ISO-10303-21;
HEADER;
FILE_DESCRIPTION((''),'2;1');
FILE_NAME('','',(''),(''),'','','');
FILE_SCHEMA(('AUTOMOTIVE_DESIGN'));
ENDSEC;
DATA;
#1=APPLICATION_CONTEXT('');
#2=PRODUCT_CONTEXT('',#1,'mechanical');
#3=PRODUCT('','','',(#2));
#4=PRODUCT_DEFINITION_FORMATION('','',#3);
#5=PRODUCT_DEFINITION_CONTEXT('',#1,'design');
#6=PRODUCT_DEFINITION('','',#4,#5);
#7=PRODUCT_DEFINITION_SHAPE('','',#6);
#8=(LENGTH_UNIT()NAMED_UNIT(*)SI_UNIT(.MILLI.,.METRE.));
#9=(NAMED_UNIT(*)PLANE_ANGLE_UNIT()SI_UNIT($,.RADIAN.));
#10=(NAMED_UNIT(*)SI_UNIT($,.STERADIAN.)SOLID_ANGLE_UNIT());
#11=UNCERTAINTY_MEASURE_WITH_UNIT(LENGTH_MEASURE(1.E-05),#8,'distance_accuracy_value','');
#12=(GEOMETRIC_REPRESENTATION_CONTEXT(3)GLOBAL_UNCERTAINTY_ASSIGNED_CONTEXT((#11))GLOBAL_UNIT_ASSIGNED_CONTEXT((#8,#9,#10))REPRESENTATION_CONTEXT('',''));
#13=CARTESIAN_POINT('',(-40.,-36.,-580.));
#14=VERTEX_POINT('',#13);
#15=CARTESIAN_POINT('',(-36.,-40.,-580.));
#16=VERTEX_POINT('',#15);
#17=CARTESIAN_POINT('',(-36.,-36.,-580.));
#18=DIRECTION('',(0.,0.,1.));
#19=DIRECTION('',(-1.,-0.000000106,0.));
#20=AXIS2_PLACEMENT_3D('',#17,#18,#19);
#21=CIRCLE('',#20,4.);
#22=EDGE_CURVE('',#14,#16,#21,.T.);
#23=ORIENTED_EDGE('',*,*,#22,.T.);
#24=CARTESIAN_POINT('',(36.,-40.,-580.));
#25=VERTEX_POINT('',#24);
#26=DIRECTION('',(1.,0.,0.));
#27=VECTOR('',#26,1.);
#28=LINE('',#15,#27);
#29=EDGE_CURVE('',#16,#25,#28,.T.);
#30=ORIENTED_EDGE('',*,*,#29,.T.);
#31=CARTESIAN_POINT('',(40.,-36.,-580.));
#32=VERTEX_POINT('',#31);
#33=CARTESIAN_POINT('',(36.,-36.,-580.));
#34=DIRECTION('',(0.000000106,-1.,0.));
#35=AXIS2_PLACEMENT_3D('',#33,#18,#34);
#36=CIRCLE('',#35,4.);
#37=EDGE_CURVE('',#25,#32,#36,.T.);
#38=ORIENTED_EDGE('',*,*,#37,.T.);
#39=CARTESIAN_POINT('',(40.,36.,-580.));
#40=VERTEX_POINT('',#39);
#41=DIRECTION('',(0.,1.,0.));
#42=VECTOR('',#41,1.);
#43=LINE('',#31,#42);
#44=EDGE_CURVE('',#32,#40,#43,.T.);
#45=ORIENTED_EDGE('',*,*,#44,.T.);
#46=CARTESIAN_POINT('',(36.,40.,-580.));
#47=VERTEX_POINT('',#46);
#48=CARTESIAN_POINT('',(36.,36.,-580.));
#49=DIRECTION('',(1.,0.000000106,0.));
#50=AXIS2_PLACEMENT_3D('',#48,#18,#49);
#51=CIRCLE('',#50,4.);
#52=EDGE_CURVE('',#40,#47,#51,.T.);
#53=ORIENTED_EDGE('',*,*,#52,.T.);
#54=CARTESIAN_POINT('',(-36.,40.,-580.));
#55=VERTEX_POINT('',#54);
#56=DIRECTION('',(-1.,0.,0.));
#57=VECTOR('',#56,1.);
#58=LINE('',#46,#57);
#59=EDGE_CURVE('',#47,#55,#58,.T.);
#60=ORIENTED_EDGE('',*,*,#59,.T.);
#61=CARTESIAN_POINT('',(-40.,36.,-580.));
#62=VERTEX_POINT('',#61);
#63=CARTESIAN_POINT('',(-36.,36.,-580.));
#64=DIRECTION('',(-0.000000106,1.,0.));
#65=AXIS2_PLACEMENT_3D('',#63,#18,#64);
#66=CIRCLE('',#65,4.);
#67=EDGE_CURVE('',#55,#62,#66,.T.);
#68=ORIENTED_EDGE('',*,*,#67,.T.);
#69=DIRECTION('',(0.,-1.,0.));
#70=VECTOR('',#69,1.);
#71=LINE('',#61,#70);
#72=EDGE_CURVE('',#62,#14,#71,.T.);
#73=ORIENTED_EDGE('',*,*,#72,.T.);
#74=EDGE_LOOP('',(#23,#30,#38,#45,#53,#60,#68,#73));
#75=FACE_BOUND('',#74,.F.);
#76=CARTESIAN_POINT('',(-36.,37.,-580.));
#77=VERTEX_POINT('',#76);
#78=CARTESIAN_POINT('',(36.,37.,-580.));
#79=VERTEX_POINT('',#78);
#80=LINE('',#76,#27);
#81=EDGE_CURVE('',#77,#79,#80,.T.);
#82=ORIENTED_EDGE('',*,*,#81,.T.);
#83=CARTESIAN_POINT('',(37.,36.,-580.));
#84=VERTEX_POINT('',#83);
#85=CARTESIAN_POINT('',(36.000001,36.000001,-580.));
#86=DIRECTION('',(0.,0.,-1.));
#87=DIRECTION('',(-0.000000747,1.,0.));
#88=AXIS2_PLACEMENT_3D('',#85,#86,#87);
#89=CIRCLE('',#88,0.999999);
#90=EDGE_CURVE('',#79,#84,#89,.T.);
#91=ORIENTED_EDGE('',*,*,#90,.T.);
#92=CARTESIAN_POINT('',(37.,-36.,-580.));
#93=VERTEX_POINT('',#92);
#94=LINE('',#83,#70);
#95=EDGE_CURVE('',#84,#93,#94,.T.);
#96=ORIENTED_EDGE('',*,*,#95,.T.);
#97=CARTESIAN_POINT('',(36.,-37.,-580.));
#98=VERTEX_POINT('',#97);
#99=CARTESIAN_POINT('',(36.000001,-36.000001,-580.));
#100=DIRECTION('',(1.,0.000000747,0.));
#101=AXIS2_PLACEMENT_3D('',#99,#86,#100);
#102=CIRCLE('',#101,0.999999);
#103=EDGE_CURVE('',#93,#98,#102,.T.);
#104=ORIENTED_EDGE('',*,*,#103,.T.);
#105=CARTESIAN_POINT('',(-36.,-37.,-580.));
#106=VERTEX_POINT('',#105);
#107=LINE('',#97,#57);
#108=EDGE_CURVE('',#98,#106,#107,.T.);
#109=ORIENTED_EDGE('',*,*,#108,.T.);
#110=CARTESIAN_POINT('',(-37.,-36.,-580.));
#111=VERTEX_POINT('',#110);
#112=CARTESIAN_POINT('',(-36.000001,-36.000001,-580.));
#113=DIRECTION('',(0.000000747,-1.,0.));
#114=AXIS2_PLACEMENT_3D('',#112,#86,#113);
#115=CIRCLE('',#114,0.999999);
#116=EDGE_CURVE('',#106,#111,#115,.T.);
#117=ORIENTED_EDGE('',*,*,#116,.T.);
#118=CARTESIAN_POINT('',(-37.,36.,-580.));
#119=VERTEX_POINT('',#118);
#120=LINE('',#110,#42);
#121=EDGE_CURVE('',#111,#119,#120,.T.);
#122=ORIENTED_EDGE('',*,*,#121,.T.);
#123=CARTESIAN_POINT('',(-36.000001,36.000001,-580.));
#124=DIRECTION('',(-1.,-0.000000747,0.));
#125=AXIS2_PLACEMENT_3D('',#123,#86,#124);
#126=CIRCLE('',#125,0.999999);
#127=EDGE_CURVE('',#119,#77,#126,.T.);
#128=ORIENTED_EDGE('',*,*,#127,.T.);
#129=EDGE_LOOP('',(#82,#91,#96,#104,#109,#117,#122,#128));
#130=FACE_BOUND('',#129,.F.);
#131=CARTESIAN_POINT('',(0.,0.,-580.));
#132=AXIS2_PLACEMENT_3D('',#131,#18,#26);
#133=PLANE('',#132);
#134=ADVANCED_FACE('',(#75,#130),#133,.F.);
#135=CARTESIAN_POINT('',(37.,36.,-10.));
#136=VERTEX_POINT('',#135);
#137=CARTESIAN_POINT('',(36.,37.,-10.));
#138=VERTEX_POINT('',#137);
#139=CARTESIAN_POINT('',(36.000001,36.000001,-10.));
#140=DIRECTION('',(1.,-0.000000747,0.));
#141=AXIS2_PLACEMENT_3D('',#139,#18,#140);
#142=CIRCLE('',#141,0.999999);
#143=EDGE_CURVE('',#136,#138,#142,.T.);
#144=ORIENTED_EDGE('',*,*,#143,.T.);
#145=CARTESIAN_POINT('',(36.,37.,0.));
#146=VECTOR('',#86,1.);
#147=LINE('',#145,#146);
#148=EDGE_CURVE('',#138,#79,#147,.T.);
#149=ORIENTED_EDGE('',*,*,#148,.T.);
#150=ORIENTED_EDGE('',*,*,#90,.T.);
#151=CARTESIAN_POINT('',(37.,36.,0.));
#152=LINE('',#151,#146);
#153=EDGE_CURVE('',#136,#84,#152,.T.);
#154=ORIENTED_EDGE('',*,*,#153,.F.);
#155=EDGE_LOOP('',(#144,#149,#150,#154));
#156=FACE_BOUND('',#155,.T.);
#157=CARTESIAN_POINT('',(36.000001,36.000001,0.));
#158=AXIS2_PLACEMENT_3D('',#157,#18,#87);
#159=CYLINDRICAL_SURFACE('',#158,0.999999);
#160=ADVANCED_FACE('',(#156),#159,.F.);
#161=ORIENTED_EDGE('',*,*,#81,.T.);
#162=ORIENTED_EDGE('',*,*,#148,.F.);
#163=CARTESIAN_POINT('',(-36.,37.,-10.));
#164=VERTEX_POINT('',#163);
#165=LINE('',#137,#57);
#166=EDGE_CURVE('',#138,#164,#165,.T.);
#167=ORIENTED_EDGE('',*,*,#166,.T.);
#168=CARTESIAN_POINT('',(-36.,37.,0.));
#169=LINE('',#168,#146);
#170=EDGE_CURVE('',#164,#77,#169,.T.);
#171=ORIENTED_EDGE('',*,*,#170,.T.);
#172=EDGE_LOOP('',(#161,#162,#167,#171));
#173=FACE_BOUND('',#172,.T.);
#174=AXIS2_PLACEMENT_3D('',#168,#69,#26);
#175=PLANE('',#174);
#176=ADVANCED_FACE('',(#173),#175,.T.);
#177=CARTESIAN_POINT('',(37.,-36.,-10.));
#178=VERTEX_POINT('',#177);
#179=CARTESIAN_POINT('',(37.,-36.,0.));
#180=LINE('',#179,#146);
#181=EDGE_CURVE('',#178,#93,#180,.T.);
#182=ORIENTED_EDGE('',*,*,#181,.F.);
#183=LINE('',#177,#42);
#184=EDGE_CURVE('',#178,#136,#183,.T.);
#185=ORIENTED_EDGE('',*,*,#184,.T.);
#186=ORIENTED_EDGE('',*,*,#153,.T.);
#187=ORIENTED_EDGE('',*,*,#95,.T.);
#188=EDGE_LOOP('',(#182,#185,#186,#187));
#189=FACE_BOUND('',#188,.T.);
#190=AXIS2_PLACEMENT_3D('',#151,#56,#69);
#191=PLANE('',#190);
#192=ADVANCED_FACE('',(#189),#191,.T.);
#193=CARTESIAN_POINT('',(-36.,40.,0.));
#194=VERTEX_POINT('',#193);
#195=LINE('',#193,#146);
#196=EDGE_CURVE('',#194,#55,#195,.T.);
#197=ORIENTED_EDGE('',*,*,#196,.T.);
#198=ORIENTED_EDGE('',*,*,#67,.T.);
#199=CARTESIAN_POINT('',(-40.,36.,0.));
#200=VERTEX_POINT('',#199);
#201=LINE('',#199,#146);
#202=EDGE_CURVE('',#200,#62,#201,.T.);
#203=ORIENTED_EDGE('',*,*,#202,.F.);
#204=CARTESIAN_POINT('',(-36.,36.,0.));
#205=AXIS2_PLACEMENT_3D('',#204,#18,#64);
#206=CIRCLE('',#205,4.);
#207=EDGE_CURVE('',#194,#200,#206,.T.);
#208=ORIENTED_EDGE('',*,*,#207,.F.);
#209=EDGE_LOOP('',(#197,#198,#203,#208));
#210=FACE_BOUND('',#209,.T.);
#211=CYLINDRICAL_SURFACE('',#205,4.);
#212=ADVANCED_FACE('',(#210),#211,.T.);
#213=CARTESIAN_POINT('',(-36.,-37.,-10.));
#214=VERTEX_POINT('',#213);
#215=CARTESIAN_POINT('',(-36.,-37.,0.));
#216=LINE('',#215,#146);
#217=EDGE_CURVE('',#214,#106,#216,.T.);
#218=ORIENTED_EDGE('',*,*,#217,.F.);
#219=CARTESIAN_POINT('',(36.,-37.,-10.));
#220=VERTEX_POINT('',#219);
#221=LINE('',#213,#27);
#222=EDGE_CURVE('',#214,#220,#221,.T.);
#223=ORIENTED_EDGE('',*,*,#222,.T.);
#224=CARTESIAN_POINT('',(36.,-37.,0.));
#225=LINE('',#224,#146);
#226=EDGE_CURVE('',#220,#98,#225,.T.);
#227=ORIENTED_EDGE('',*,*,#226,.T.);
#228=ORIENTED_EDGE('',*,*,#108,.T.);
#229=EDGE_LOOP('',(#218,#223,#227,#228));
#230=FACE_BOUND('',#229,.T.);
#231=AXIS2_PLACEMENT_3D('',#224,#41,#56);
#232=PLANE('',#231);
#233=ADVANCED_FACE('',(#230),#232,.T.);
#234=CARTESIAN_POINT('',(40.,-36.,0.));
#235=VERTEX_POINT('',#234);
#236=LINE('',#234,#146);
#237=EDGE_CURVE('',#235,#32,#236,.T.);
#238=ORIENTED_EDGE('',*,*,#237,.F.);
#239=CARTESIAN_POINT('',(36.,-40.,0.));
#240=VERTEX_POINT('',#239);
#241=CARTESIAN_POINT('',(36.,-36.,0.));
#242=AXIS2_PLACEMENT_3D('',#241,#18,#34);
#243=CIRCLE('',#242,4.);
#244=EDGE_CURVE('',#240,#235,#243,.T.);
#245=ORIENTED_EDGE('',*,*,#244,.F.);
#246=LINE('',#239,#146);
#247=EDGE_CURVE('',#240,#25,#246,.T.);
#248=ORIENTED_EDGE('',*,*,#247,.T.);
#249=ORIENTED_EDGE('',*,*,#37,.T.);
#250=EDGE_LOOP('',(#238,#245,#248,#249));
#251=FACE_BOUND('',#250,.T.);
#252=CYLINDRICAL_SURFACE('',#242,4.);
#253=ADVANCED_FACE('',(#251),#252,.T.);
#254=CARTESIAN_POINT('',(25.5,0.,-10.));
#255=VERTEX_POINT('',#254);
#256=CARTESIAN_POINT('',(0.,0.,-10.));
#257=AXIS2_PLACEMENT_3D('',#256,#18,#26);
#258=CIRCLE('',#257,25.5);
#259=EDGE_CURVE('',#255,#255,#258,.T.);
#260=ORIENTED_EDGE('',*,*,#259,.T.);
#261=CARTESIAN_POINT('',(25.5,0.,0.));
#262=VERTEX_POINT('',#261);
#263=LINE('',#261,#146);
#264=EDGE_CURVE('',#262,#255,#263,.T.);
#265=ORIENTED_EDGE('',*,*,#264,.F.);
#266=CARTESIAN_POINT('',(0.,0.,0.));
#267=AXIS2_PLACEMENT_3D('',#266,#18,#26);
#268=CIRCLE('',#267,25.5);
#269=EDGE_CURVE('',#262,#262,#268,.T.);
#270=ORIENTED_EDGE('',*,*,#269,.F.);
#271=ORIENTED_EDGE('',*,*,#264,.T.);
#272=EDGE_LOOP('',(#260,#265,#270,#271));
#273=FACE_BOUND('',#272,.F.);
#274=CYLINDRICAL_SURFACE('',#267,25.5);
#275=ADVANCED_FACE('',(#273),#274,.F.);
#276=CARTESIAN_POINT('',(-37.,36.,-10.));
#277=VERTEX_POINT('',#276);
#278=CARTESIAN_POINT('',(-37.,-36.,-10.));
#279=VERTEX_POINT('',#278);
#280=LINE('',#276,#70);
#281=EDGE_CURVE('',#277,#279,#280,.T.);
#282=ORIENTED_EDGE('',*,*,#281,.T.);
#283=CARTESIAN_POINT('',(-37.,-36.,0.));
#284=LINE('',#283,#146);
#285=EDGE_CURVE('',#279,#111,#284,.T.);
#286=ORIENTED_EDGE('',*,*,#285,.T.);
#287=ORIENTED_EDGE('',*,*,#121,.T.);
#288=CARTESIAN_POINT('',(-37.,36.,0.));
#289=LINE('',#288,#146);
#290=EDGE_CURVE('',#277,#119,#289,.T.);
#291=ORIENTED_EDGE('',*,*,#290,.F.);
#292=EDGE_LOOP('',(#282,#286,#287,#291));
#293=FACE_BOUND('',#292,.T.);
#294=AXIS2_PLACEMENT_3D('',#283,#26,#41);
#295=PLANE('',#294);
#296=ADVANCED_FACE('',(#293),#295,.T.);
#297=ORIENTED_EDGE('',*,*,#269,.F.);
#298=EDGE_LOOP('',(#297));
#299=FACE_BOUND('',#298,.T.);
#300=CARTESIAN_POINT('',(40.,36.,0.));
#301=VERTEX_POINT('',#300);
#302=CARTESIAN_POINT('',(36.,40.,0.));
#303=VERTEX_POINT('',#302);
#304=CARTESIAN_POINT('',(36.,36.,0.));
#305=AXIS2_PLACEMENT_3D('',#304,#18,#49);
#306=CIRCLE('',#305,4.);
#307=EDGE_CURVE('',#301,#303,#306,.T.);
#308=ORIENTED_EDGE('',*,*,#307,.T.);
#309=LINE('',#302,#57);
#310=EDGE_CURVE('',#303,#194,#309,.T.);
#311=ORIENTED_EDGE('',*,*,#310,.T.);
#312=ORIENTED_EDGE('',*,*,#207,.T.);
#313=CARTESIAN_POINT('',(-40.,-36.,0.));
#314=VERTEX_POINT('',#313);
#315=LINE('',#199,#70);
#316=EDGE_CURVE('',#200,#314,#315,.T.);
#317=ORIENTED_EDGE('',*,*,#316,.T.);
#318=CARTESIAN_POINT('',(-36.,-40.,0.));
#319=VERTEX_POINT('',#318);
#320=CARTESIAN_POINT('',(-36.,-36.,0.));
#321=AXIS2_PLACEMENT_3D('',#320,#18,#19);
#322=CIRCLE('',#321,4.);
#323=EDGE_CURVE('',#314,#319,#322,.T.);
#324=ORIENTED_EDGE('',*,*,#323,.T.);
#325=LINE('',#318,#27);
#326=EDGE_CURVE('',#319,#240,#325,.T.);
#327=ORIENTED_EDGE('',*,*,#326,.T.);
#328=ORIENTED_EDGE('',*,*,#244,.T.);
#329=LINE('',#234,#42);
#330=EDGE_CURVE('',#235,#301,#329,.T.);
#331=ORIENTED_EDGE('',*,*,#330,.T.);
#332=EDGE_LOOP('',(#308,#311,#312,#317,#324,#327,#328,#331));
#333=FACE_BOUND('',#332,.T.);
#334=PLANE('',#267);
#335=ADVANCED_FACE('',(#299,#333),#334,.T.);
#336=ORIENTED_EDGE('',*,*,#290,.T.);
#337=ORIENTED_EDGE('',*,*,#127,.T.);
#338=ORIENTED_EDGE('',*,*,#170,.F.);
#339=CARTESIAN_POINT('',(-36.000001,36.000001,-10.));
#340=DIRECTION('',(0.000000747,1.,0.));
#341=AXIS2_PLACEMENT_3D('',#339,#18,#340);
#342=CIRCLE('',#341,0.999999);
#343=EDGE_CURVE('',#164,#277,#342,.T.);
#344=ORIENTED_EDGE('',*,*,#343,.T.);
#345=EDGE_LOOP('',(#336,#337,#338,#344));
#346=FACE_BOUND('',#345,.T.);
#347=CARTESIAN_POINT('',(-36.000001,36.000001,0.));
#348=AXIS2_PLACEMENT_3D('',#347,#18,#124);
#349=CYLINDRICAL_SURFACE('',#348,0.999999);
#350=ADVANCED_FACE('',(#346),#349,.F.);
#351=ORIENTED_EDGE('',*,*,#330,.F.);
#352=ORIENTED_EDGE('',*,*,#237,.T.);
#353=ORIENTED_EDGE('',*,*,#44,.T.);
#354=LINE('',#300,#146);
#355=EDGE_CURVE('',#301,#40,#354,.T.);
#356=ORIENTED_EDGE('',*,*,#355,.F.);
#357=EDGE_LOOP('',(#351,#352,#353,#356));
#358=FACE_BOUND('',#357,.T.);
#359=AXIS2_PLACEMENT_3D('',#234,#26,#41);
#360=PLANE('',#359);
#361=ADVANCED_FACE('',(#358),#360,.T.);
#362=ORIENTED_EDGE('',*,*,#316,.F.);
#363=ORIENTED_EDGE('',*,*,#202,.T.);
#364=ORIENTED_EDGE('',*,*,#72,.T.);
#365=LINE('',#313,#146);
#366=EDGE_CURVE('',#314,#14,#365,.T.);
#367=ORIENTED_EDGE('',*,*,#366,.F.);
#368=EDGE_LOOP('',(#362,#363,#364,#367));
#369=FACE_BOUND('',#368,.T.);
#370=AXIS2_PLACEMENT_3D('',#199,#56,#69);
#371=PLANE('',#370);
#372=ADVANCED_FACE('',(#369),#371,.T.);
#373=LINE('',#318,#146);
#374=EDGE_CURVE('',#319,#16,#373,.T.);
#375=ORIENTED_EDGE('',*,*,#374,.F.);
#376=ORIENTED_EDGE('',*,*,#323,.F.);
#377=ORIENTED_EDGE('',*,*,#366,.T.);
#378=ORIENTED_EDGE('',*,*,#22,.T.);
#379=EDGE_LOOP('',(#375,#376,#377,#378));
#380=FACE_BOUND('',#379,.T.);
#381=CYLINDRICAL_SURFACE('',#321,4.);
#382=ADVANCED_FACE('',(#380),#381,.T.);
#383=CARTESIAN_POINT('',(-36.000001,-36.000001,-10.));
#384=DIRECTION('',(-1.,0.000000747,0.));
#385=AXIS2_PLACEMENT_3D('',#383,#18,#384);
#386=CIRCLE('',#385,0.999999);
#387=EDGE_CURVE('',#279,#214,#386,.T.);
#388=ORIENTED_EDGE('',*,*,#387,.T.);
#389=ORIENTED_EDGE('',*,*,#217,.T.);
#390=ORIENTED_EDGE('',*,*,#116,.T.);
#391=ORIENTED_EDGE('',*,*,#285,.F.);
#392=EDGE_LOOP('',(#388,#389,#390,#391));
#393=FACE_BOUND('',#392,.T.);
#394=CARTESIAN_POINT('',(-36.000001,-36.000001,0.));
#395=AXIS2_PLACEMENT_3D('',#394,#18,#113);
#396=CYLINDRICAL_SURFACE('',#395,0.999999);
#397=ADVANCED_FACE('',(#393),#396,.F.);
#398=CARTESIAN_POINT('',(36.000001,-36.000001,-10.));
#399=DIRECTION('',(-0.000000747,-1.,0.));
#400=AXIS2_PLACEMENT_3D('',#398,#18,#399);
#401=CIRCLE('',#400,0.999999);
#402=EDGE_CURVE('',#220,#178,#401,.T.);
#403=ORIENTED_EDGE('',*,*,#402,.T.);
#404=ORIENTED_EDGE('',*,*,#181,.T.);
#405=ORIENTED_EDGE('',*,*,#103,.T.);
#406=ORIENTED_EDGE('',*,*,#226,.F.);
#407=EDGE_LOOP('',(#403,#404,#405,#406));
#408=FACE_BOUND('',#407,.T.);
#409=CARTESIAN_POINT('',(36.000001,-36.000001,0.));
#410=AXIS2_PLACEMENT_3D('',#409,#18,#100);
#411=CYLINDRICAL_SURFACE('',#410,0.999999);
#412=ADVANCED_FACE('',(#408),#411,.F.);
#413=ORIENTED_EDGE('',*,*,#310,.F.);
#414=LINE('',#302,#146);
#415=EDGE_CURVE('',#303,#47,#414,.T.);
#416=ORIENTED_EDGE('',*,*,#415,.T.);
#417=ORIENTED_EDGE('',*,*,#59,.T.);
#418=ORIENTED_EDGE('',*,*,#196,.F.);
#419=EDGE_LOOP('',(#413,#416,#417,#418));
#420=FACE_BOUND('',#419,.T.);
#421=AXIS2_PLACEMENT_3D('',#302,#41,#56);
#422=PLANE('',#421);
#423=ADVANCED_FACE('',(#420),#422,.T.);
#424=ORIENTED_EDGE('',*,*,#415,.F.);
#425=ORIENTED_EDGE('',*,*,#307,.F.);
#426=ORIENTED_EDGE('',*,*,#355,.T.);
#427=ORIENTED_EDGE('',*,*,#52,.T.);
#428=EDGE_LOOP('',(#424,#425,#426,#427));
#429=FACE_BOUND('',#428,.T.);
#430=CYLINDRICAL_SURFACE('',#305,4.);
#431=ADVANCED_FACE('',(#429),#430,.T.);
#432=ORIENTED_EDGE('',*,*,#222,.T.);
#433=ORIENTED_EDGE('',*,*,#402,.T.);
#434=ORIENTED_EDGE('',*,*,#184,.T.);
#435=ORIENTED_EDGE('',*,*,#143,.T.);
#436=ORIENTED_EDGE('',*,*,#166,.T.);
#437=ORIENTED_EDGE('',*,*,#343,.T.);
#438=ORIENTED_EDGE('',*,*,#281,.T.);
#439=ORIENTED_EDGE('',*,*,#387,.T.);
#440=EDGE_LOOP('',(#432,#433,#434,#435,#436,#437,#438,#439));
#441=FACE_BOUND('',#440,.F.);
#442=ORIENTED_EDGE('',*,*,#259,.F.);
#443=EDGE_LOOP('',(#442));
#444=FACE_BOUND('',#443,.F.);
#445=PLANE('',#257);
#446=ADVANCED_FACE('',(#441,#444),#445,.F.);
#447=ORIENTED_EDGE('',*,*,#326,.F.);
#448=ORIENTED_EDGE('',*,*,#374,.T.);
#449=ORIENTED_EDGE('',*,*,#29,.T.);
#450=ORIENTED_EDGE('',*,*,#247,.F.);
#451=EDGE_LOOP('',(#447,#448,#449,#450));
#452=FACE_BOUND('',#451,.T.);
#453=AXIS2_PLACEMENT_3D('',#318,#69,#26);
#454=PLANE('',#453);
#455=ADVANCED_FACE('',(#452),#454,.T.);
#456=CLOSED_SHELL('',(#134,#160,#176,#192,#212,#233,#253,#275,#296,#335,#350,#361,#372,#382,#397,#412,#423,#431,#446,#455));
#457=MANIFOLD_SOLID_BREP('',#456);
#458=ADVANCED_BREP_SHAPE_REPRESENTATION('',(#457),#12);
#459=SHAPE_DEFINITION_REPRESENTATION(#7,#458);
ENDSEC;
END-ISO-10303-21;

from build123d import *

# Parameters (mm, degrees)
F1_DEPTH = 580
F0_R     = 25.5
F2_DEPTH = 10


with BuildPart() as f1:
    # F0 (on Top) → F1 (new body)
    with BuildSketch(Plane.XY):
        with BuildLine():
            ThreePointArc((40, 36), (38.828427, 38.828427), (36, 40))
            Line((36, 40), (-36, 40))
            ThreePointArc((-36, 40), (-38.828427, 38.828427), (-40, 36))
            Line((-40, 36), (-40, -36))
            ThreePointArc((-40, -36), (-38.828427, -38.828427), (-36, -40))
            Line((-36, -40), (36, -40))
            ThreePointArc((36, -40), (38.828427, -38.828427), (40, -36))
            Line((40, -36), (40, 36))
        make_face()
        with BuildLine():
            ThreePointArc((-37, 36), (-36.707107, 36.707107), (-36, 37))
            Line((-36, 37), (36, 37))
            ThreePointArc((36, 37), (36.707107, 36.707107), (37, 36))
            Line((37, 36), (37, -36))
            ThreePointArc((37, -36), (36.707107, -36.707107), (36, -37))
            Line((36, -37), (-36, -37))
            ThreePointArc((-36, -37), (-36.707107, -36.707107), (-37, -36))
            Line((-37, -36), (-37, 36))
        make_face(mode=Mode.SUBTRACT)
    extrude(amount=-F1_DEPTH)

    # F0 (on Top) → F2 (join)
    with BuildSketch(Plane.XY):
        with BuildLine():
            Line((36, 37), (-36, 37))
            ThreePointArc((-36, 37), (-36.707107, 36.707107), (-37, 36))
            Line((-37, 36), (-37, -36))
            ThreePointArc((-37, -36), (-36.707107, -36.707107), (-36, -37))
            Line((-36, -37), (36, -37))
            ThreePointArc((36, -37), (36.707107, -36.707107), (37, -36))
            Line((37, -36), (37, 36))
            ThreePointArc((37, 36), (36.707107, 36.707107), (36, 37))
        make_face()
        Circle(F0_R, mode=Mode.SUBTRACT)
    extrude(amount=-F2_DEPTH)


solid = f1.part
